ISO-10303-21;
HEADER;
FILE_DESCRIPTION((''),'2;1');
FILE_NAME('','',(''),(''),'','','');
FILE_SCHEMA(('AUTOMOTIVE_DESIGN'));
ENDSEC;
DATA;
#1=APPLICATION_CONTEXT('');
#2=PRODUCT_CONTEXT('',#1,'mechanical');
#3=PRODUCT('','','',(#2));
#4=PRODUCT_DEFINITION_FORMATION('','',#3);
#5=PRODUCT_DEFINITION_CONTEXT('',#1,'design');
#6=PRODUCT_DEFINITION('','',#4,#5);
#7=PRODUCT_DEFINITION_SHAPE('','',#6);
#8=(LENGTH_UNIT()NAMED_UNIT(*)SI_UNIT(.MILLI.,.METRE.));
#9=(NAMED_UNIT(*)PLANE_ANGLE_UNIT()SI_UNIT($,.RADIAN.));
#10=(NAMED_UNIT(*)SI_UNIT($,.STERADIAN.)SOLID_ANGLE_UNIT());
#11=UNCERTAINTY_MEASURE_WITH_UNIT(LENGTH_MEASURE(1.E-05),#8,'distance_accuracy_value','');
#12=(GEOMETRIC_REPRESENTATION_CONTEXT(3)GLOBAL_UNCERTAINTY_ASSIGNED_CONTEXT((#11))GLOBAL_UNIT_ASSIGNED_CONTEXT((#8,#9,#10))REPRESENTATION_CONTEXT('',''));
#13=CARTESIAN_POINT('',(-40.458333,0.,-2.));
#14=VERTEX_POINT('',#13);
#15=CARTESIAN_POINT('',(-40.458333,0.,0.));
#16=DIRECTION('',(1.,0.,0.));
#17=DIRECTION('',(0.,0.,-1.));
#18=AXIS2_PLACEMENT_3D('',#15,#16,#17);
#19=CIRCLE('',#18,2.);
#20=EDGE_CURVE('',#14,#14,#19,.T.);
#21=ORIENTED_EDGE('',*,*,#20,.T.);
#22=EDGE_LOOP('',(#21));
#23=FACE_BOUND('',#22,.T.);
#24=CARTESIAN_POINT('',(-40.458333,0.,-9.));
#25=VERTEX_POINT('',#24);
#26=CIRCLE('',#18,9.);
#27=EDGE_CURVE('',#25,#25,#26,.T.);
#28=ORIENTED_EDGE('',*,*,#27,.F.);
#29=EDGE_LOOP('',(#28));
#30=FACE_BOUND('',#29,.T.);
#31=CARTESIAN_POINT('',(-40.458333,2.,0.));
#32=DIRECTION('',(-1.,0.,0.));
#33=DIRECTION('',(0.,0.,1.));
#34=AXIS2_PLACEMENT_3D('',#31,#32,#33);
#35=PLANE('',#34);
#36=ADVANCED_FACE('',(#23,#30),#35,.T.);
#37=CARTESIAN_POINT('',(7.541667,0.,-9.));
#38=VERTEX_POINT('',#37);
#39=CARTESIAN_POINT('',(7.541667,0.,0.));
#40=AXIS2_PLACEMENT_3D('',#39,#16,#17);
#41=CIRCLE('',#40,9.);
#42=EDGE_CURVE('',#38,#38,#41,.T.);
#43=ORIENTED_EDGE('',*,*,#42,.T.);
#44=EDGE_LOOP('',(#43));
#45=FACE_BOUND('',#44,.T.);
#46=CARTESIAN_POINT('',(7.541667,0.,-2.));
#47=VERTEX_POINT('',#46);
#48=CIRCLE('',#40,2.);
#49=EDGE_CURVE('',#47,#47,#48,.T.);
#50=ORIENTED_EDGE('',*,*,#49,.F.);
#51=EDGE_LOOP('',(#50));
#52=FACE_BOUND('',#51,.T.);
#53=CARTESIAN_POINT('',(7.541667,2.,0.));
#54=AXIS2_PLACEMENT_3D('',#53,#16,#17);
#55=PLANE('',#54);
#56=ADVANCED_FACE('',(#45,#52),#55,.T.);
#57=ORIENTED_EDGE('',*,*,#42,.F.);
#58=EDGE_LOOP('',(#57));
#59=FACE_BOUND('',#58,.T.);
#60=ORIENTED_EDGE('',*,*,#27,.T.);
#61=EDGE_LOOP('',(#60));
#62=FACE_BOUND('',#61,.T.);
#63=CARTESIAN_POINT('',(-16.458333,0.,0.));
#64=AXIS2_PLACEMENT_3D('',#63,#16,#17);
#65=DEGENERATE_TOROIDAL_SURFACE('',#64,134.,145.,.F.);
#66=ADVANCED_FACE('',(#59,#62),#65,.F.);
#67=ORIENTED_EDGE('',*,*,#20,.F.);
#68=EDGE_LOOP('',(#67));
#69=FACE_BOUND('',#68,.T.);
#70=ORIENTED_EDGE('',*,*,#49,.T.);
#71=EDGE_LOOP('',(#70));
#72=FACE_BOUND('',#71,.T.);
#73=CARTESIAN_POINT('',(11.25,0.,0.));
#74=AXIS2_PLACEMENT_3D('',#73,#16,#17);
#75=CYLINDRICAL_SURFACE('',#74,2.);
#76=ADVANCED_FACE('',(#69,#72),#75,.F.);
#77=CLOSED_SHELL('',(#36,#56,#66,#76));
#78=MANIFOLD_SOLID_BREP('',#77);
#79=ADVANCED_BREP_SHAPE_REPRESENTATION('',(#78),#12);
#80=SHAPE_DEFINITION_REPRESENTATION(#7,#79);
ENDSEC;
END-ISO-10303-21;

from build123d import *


with BuildPart() as part:
    # Sketch1 → Revolve1 (revolve)
    with BuildSketch(Plane.XY, mode=Mode.PRIVATE) as revolve1_sk:
        with BuildLine():
            Line((-40.458333333, 2), (7.541666667, 2))
            Line((7.541666667, 2), (7.541666667, 9))
            ThreePointArc((7.541666667, 9), (-16.458333333, 11), (-40.458333333, 9))
            Line((-40.458333333, 9), (-40.458333333, 2))
        make_face()
    revolve(revolve1_sk.sketch.rotate(Axis((11.25, 0, 0), (-1, 0, 0)), 90), axis=Axis((11.25, 0, 0), (-1, 0, 0)))


solid = part.part
